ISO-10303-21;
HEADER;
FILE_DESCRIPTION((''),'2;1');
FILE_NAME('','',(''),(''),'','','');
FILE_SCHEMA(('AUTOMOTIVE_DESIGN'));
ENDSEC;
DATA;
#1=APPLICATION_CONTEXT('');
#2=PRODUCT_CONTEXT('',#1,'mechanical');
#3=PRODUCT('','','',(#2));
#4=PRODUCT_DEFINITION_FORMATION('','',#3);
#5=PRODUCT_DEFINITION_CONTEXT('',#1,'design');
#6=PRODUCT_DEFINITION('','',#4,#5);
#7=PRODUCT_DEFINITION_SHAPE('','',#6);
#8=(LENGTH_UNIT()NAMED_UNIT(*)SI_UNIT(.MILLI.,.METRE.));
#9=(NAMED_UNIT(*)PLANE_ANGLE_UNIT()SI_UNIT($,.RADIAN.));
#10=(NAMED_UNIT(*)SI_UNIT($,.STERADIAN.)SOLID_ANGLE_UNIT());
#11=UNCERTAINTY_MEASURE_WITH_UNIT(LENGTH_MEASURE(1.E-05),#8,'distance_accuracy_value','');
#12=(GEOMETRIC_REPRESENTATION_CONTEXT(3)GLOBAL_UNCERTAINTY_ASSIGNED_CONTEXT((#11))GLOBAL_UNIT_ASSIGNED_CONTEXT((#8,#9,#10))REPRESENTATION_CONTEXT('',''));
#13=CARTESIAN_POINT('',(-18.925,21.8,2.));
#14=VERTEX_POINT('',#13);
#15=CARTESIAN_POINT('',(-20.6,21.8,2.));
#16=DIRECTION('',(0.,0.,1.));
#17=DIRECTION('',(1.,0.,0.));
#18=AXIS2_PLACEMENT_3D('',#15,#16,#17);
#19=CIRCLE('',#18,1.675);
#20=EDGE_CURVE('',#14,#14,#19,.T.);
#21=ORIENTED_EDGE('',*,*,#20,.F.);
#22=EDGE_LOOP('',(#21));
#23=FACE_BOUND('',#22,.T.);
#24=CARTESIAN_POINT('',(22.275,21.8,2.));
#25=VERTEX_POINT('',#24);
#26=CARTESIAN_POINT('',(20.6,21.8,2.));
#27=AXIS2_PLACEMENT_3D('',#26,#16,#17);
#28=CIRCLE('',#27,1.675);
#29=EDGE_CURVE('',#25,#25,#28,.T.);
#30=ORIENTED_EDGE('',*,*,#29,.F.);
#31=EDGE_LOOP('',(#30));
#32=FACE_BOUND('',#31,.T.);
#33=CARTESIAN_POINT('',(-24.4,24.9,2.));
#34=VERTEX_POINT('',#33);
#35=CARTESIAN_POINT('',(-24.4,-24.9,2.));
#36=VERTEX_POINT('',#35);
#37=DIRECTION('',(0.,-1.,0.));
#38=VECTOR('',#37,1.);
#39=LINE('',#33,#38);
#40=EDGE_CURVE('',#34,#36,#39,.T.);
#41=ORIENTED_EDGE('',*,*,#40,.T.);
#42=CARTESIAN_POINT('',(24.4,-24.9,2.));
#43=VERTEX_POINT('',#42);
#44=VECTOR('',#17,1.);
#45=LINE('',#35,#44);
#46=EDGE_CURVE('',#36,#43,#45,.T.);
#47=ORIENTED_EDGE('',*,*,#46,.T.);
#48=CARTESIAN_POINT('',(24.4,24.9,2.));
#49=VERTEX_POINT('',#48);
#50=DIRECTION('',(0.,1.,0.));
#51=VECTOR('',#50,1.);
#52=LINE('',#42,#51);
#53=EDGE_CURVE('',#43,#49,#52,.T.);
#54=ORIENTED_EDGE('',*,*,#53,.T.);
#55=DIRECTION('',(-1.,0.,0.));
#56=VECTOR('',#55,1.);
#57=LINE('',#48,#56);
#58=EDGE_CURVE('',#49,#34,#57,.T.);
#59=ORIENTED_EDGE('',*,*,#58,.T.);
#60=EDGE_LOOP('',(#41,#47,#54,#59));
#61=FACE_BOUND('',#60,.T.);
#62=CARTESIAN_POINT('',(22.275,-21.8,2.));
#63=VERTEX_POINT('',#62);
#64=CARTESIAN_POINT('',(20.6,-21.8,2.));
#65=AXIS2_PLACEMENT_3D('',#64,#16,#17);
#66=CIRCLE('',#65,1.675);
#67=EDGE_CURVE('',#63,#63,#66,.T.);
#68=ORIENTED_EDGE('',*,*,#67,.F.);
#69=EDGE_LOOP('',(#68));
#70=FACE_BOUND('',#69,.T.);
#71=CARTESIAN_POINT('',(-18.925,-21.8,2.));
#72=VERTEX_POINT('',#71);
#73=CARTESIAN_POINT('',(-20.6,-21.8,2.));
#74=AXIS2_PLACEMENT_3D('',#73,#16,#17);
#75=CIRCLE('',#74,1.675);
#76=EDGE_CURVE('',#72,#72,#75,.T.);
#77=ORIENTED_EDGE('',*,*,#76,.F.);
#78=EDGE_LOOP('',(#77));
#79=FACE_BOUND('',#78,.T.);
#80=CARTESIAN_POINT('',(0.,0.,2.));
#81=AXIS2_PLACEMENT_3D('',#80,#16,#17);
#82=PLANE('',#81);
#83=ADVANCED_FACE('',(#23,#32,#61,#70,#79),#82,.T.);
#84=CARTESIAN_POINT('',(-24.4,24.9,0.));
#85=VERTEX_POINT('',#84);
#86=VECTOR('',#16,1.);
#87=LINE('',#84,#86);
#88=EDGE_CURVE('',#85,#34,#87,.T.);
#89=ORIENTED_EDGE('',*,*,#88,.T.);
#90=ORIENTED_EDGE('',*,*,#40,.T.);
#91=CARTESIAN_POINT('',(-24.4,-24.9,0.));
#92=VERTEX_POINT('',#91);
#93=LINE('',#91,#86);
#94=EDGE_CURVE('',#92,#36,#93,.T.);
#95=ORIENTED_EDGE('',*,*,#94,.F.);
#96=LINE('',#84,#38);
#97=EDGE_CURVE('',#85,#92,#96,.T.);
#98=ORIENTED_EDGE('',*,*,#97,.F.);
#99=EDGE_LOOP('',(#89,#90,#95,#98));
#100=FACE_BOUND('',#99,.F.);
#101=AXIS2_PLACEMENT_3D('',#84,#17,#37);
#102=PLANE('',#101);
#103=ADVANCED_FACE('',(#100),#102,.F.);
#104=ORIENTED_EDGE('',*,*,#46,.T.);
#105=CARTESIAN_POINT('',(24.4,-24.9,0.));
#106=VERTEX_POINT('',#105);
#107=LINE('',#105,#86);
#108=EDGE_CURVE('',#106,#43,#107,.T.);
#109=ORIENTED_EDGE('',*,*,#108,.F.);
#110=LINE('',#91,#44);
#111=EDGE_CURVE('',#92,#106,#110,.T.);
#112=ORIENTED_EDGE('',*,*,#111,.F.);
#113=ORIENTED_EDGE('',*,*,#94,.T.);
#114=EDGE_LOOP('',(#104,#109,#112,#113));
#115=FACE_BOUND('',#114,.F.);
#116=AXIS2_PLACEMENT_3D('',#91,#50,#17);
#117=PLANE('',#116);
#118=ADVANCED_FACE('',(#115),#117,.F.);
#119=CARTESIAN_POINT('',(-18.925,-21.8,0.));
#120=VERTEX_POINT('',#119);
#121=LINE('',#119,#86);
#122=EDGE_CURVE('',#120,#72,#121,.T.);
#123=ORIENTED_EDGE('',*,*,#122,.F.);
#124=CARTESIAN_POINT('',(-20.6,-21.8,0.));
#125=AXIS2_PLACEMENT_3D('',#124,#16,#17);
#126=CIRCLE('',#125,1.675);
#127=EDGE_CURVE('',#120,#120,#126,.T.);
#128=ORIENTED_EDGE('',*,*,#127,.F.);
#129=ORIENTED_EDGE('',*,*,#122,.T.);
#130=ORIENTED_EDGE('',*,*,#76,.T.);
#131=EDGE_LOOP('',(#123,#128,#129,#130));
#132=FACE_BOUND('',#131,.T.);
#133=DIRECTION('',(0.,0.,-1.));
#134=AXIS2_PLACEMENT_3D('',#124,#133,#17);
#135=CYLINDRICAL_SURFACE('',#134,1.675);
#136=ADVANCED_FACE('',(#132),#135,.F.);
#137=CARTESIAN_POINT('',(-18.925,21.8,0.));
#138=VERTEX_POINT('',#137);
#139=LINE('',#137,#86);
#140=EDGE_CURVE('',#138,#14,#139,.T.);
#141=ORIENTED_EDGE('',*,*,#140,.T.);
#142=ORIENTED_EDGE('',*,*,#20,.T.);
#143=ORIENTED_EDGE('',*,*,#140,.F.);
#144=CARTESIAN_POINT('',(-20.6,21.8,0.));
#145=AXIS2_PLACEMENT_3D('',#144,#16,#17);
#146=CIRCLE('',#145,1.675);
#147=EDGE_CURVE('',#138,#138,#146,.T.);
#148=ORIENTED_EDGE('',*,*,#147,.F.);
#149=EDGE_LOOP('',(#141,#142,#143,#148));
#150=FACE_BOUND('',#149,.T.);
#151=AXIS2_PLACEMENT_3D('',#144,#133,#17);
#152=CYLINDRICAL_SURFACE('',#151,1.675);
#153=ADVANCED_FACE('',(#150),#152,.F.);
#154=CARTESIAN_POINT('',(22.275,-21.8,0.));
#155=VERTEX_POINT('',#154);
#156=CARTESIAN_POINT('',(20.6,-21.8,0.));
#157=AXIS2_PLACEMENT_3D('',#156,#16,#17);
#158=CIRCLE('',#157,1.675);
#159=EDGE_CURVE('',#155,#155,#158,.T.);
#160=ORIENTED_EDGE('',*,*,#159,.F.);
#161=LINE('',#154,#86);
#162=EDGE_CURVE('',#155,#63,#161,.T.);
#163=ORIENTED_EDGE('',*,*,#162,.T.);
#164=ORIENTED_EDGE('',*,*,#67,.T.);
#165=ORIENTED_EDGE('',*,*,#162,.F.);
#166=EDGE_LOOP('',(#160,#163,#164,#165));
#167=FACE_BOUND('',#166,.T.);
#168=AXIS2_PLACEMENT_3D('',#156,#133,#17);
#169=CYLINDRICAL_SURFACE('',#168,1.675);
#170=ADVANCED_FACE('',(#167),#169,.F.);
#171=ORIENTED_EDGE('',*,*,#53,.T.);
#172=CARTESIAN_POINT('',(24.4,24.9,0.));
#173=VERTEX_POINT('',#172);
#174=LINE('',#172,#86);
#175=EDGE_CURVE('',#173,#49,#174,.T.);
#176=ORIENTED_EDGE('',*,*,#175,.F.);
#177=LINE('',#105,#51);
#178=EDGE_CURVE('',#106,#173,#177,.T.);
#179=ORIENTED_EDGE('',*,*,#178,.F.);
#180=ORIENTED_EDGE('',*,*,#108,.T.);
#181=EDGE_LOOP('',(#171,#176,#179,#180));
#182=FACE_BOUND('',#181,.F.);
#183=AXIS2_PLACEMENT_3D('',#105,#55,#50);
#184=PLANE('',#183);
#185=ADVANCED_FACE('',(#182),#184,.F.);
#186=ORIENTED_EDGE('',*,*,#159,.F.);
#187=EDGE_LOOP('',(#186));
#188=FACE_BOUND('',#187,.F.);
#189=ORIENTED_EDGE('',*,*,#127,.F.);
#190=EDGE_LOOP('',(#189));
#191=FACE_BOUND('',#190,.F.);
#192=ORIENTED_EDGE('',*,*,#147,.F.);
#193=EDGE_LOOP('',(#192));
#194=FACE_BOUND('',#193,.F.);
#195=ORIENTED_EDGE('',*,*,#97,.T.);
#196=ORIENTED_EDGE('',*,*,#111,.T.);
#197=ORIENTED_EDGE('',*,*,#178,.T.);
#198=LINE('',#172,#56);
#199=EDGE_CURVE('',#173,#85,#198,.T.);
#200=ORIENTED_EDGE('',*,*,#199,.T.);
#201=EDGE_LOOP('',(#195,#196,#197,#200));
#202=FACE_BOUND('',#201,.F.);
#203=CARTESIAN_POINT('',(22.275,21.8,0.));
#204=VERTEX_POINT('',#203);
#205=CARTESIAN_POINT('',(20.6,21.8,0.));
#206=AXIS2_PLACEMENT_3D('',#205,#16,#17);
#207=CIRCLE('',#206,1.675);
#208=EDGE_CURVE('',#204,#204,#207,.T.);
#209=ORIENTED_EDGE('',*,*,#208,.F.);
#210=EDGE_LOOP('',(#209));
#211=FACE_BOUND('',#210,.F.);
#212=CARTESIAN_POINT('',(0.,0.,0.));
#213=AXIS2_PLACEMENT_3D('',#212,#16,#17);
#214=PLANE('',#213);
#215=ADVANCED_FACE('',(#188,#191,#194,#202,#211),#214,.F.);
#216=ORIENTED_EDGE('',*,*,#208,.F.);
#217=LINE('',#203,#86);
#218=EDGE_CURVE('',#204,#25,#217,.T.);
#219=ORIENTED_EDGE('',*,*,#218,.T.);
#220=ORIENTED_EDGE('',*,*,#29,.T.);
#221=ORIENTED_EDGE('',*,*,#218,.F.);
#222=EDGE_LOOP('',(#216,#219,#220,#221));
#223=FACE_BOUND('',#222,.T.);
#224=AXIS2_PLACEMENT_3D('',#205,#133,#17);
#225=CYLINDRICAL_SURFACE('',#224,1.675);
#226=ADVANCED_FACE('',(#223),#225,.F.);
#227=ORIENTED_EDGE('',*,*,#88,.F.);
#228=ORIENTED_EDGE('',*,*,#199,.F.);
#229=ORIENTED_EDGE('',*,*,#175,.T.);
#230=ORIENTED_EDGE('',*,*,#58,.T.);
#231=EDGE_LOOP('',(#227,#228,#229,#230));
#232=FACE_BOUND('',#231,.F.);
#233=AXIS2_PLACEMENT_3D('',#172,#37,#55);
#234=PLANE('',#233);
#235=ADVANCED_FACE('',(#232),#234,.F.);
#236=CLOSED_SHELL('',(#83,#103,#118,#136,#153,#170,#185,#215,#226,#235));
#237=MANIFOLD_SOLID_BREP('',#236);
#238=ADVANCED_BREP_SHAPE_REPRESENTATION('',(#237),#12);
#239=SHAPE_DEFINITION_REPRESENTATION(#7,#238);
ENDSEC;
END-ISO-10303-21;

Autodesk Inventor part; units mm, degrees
ref_plane "YZ Plane" through (0, 0, 0) normal (1, 0, 0) x (0, 1, 0)
ref_plane "XZ Plane" through (0, 0, 0) normal (0, 1, 0) x (-1, 0, 0)
ref_plane "XY Plane" through (0, 0, 0) normal (0, 0, 1) x (1, 0, 0)
sketch "Sketch1" plane through (0, 0, 0) normal (0, 0, 1) x (1, 0, 0)
  line L0 (24.4, 24.9) -> (-24.4, 24.9)
  line L1 (-24.4, 24.9) -> (-24.4, -24.9)
  line L2 (-24.4, -24.9) -> (24.4, -24.9)
  line L3 (24.4, -24.9) -> (24.4, 24.9)
  circle A0 centre (20.6, 21.8) radius 1.675
  line L4 (0, 24.9) -> (0, -24.9) construction
  line L5 (24.4, 0) -> (-24.4, 0) construction
  circle A1 centre (-20.6, 21.8) radius 1.675
  line L6 (-24.4, 0) -> (24.4, 0) construction
  circle A2 centre (20.6, -21.8) radius 1.675
  circle A3 centre (-20.6, -21.8) radius 1.675
  point P0 (0, 0)
  dimension "d0" = 48.8
  dimension "d1" = 49.8
  dimension "d3" = 3.35
  dimension "d4" = 3.1
  dimension "d5" = 3.8
extrude "Extrusion1" add sketch "Sketch1" along normal blind 2
properties part number "Pomodoro Robot Head's back"
